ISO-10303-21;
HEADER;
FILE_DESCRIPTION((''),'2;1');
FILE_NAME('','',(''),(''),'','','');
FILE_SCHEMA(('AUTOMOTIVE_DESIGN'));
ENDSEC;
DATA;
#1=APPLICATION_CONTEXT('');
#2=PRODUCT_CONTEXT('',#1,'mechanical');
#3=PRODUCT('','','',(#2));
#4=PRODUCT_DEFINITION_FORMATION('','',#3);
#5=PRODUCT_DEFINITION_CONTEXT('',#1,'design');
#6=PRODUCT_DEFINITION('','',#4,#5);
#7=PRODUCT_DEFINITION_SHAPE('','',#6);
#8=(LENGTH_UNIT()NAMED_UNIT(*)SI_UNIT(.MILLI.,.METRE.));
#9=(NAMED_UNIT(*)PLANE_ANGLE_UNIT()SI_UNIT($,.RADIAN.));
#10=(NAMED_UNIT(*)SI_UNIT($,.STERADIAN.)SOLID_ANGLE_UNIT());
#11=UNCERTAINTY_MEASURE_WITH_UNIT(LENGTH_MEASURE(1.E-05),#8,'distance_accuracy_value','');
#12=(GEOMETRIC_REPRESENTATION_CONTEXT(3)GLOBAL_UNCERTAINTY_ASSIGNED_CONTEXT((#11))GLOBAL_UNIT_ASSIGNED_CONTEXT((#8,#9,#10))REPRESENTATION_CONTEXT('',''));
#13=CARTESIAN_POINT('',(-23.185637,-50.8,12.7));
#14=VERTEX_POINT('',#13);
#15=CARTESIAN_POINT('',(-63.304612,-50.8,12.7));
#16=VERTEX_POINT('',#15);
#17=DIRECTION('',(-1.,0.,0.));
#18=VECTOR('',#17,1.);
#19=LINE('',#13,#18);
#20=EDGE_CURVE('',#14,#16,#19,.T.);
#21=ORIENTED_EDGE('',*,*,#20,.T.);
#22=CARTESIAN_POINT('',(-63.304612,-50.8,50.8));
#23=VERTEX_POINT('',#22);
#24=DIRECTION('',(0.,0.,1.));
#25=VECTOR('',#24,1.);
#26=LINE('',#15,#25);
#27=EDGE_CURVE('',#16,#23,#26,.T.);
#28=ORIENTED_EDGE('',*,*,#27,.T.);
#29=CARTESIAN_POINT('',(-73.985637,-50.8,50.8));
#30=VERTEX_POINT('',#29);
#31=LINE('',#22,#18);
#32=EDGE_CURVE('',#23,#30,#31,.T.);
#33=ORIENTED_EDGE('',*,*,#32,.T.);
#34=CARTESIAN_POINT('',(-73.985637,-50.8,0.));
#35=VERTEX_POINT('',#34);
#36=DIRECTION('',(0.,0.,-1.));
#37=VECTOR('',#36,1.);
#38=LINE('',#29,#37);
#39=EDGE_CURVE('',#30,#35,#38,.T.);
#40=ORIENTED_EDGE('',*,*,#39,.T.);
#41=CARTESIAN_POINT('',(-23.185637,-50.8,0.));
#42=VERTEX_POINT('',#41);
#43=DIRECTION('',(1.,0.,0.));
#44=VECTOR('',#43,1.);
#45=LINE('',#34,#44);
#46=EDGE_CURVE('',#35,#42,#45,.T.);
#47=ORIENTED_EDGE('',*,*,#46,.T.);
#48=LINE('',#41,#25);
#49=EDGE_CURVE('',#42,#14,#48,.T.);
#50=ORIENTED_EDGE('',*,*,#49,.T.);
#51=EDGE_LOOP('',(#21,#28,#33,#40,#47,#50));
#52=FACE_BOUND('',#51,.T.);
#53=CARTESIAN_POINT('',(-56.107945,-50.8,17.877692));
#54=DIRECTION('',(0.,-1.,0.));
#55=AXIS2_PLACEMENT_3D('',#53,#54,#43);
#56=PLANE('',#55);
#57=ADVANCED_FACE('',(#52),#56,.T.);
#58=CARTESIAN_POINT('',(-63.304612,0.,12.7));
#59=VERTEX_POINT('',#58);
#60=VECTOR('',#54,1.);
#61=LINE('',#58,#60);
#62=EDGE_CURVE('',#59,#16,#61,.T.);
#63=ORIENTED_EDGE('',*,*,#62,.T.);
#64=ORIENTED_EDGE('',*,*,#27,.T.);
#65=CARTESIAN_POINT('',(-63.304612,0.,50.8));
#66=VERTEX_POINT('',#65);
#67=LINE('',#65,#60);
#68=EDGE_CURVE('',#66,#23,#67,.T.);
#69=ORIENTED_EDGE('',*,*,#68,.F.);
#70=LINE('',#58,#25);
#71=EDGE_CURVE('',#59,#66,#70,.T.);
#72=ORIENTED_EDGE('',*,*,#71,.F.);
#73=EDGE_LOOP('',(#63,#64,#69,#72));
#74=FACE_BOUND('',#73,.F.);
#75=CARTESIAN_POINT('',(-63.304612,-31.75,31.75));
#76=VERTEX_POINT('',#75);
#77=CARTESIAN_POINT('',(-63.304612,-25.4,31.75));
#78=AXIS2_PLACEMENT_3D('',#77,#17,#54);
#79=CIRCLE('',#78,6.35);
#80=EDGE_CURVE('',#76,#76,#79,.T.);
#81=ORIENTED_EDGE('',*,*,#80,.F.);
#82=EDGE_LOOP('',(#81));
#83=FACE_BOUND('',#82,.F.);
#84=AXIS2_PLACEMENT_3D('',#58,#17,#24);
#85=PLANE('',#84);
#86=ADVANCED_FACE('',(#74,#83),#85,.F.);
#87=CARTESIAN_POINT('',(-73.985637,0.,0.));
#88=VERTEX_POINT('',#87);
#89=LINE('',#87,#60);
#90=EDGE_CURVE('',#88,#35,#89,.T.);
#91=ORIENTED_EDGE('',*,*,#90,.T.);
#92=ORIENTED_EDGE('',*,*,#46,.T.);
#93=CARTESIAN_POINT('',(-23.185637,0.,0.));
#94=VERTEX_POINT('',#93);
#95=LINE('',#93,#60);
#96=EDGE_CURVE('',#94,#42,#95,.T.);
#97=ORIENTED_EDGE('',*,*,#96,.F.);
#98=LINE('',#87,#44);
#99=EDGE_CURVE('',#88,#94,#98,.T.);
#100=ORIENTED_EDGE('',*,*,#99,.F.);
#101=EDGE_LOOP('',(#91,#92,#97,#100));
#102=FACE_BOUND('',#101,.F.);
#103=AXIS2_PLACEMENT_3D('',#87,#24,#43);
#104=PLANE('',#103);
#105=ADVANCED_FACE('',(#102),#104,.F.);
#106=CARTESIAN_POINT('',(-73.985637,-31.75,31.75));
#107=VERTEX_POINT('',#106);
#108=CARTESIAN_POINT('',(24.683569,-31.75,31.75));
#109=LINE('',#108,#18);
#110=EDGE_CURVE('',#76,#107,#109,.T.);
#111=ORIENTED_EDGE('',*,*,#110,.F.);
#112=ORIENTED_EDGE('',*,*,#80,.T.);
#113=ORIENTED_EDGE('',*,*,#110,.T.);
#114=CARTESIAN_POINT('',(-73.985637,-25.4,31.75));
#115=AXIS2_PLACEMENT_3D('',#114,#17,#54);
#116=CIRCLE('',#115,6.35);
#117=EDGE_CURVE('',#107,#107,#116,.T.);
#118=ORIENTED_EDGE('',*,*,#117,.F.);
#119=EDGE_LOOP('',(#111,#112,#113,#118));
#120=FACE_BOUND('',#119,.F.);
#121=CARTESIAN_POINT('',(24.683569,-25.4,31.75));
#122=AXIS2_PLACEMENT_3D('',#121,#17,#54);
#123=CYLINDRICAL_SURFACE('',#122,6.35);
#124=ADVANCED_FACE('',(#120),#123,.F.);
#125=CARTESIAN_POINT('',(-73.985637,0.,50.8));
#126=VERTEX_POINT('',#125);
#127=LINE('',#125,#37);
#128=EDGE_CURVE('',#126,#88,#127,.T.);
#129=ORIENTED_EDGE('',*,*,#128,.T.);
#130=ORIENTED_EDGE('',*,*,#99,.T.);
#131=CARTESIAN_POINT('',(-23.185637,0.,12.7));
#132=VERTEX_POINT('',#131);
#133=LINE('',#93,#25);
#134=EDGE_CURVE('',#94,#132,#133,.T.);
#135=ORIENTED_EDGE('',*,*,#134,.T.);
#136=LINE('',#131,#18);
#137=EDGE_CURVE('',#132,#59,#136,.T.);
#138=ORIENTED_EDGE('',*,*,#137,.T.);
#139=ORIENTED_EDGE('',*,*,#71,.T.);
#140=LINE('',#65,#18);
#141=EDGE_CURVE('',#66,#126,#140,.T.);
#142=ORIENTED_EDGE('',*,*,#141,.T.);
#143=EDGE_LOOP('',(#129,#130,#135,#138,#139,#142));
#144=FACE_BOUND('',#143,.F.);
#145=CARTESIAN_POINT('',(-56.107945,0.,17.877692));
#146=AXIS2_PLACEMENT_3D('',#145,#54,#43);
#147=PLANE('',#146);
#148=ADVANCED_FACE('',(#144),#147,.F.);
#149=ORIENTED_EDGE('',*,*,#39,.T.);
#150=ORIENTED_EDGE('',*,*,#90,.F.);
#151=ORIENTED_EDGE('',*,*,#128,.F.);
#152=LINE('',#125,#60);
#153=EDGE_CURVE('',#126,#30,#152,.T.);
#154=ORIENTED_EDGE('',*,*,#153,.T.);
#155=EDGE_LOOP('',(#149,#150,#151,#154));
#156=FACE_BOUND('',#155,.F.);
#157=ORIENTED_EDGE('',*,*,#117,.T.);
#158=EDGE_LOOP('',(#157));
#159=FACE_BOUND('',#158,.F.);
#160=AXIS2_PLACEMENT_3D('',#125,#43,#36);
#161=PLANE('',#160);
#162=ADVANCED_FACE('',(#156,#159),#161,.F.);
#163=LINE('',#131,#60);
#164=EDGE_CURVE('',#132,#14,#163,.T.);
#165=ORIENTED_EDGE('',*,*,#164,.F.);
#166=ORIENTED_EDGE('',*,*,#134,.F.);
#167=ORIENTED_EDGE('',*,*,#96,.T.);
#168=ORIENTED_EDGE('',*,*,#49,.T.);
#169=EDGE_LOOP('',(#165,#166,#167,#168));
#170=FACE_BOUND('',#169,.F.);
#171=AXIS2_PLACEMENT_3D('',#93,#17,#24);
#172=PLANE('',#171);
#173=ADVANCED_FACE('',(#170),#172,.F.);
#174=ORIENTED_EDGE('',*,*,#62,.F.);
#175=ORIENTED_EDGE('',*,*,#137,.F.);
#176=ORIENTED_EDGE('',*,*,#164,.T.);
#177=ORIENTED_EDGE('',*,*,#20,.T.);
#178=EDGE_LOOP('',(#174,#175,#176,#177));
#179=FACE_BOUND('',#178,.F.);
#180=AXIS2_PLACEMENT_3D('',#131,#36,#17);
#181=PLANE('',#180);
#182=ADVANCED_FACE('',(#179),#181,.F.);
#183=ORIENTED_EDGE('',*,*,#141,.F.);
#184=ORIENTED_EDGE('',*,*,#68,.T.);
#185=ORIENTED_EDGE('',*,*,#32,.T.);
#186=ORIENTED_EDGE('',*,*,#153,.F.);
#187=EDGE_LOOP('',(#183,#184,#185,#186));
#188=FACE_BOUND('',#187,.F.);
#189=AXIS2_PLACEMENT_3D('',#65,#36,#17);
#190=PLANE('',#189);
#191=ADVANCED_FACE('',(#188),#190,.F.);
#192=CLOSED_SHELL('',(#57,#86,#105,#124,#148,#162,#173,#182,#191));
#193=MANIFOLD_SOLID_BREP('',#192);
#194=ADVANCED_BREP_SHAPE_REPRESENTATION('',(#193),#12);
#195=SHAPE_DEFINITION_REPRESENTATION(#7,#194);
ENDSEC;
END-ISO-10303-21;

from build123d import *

# Parameters (mm, degrees)
F1_DEPTH = 50.8
F3_D     = 12.7


with BuildPart() as f1:
    # F0 (on Front) → F1 (new body)
    with BuildSketch(Plane.XZ):
        Polygon((-63.304612, 50.8), (-73.985637, 50.8), (-73.985637, 0), (-23.185637, 0), (-23.185637, 12.7), (-63.304612, 12.7), align=None)
    extrude(amount=F1_DEPTH)

    # F3 (through all)
    with Locations(Plane.YZ.offset(-63.304612)):
        with Locations((-25.4, 31.75)):
            Hole(F3_D / 2)


solid = f1.part
